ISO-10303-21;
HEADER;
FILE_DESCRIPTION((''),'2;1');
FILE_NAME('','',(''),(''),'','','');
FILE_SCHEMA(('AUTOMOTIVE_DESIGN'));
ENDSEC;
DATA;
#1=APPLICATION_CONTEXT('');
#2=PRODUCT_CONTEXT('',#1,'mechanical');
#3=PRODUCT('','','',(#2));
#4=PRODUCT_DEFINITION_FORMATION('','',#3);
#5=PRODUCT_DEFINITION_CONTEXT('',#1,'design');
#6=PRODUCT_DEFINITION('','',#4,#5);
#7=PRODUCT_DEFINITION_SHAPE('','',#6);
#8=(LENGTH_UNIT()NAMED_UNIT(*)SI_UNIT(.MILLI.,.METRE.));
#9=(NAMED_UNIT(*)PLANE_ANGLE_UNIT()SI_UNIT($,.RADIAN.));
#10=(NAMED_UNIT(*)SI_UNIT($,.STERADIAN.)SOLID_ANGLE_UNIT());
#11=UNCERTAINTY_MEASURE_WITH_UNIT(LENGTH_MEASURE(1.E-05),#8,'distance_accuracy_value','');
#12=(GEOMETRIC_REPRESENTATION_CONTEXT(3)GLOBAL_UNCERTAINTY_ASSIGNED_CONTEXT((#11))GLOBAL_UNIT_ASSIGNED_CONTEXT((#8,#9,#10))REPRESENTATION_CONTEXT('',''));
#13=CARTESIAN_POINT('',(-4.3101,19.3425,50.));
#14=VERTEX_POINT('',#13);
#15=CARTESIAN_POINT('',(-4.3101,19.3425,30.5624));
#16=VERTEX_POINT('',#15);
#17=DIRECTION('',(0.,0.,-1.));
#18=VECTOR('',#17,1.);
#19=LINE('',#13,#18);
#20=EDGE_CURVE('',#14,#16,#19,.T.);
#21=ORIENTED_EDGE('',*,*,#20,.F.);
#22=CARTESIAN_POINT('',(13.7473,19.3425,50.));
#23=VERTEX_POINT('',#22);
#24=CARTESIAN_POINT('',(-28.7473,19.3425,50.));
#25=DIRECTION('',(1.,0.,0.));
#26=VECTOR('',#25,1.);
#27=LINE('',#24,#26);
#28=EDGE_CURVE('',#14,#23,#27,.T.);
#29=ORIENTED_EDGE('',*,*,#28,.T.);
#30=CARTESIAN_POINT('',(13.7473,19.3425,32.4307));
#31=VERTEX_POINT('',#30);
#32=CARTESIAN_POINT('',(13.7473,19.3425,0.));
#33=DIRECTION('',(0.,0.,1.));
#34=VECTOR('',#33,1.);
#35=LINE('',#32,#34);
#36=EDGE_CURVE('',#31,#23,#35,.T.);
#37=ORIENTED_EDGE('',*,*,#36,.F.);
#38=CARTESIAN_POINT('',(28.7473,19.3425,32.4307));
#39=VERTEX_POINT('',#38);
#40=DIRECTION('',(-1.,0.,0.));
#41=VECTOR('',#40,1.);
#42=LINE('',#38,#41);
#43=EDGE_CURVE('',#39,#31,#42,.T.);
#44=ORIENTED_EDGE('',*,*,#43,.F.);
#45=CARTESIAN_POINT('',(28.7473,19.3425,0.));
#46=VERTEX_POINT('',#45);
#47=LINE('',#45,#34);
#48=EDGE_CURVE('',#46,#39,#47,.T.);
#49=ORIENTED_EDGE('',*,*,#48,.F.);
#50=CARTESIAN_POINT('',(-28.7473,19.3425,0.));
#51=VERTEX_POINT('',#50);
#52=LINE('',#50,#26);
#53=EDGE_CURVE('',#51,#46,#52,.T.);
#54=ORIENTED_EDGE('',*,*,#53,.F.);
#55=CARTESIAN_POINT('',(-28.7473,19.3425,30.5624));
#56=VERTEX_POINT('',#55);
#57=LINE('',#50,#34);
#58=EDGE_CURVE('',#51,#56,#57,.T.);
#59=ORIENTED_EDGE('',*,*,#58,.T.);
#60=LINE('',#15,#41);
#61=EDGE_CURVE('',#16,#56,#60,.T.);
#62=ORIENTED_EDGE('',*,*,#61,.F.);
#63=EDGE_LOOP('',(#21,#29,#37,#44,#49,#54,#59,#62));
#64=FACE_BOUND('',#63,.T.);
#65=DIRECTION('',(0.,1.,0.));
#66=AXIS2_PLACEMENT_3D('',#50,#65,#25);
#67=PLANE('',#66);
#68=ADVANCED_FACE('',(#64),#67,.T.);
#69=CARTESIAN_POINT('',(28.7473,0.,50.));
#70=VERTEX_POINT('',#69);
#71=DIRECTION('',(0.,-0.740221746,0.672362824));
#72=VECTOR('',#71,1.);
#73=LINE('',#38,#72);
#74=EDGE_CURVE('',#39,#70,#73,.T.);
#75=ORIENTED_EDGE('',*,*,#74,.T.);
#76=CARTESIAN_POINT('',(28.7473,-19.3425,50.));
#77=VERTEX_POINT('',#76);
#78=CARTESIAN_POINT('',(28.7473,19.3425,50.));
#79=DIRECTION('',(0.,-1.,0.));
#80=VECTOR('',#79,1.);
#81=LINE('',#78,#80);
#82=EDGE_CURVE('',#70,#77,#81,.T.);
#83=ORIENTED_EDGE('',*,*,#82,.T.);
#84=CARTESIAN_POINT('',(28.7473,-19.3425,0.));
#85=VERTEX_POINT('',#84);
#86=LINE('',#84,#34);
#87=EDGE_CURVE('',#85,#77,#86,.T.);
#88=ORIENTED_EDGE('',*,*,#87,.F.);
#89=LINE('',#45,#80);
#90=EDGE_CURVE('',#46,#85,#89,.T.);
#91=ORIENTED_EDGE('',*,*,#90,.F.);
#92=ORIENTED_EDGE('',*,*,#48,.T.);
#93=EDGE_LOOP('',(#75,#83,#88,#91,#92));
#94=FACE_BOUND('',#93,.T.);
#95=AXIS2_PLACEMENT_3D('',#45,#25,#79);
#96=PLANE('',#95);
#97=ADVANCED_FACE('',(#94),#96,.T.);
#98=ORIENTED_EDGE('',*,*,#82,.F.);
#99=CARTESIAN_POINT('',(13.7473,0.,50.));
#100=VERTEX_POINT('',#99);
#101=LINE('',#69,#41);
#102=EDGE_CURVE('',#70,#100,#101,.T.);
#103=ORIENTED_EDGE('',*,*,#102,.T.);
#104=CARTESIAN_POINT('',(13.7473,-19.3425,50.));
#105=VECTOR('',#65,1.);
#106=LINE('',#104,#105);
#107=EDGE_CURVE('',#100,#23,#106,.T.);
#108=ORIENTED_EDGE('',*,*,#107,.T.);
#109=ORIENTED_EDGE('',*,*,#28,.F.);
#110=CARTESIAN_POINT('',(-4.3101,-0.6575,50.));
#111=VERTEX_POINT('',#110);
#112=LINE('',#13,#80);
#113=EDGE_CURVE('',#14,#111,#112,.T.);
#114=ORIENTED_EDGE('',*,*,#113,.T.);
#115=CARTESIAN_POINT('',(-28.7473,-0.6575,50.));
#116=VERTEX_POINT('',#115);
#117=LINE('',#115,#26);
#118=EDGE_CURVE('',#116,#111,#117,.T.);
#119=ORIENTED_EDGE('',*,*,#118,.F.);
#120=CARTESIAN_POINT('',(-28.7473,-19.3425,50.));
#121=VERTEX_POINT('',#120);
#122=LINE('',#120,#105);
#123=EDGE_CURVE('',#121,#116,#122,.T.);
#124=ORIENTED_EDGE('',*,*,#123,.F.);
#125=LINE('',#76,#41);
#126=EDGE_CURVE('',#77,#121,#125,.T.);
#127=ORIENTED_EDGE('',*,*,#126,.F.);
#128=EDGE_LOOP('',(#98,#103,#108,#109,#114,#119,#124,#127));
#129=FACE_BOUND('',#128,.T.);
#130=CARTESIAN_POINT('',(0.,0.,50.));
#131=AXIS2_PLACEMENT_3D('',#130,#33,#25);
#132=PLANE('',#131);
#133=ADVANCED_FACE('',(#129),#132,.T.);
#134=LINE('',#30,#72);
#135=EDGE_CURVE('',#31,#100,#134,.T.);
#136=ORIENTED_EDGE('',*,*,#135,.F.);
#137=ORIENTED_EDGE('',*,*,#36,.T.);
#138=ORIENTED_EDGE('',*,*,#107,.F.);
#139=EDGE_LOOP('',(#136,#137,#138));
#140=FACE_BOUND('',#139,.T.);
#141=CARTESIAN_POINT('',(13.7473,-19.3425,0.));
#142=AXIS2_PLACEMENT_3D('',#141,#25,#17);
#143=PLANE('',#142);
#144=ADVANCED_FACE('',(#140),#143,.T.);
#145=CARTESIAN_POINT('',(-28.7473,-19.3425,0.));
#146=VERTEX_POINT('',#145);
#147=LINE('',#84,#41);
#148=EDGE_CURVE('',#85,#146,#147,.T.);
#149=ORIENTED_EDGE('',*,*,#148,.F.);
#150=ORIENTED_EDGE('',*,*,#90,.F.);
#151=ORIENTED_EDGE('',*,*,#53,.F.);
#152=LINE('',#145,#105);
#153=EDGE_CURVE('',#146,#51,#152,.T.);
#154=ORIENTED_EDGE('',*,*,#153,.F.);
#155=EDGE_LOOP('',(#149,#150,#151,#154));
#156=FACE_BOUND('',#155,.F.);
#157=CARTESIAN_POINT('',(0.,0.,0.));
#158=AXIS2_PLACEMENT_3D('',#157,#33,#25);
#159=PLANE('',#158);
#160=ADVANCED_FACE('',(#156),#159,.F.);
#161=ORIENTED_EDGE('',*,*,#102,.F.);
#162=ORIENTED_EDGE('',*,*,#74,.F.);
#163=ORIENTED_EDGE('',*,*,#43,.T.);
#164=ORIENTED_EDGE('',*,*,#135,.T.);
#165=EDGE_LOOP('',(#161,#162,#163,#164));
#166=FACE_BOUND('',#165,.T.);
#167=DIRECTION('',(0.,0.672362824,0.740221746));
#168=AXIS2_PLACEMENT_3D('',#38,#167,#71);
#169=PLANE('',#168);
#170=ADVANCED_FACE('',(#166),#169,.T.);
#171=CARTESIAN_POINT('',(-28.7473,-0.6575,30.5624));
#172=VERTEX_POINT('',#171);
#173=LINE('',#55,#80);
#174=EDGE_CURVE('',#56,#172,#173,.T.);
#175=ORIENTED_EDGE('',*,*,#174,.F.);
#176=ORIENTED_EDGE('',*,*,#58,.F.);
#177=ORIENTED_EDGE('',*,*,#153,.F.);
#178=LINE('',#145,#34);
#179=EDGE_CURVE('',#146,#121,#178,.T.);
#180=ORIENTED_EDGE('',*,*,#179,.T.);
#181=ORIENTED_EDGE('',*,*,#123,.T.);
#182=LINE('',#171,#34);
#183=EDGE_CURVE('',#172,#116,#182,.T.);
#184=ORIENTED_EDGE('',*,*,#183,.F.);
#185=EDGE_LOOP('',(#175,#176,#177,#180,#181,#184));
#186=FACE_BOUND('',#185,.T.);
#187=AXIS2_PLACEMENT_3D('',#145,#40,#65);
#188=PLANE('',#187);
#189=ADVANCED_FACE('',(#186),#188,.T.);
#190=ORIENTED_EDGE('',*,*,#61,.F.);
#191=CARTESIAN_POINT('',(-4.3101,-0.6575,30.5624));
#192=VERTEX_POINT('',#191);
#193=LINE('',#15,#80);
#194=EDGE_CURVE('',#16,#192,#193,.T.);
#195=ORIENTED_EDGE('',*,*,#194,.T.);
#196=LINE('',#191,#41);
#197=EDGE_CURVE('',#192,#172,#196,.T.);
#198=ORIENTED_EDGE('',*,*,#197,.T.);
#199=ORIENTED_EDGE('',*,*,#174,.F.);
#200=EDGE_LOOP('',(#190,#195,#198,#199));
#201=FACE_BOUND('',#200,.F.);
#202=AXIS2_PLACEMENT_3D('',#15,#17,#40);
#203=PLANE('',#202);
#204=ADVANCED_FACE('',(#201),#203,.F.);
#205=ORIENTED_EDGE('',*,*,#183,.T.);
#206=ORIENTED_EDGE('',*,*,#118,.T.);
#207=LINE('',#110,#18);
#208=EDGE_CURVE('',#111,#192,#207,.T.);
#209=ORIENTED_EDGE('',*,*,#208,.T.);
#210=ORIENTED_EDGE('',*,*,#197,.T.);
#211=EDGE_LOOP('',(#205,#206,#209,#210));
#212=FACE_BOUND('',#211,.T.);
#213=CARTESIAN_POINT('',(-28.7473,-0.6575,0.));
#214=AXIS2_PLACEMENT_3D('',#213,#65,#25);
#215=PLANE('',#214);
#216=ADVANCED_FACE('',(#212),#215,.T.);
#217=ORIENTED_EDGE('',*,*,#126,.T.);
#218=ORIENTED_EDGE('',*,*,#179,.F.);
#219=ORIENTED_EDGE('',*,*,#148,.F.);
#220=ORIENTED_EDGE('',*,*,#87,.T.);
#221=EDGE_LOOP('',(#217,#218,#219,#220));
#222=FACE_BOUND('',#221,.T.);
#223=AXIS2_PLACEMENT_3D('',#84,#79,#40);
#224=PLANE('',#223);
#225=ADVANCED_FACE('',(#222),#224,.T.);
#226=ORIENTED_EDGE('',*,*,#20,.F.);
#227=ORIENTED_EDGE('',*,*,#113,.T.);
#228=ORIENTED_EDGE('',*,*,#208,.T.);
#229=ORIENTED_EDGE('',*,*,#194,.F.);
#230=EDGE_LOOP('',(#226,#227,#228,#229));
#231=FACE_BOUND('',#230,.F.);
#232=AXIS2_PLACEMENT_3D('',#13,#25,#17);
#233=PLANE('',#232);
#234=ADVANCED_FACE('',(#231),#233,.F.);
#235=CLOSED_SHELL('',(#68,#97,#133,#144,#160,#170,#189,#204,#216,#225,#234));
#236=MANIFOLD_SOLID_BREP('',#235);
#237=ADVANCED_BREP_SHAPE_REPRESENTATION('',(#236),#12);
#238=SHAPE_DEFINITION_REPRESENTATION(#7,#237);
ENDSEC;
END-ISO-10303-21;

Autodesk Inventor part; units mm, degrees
ref_plane "YZ Plane" through (0, 0, 0) normal (1, 0, 0) x (0, 1, 0)
ref_plane "XZ Plane" through (0, 0, 0) normal (0, 1, 0) x (-1, 0, 0)
ref_plane "XY Plane" through (0, 0, 0) normal (0, 0, 1) x (1, 0, 0)
sketch "스케치1" plane through (0, 0, 0) normal (0, 0, 1) x (1, 0, 0)
  line L0 (28.7473, -19.3425) -> (-28.7473, -19.3425)
  line L1 (-28.7473, -19.3425) -> (-28.7473, 19.3425)
  line L2 (-28.7473, 19.3425) -> (28.7473, 19.3425)
  line L3 (28.7473, 19.3425) -> (28.7473, -19.3425)
  line L4 (28.7473, -19.3425) -> (-28.7473, 19.3425) construction
  line L5 (-28.7473, -19.3425) -> (28.7473, 19.3425) construction
  point P0 (0, 0)
extrude "돌출1" add sketch "스케치1" along normal blind 50
sketch "스케치2" plane through (-28.7473, 19.3425, 0) normal (0, 1, 0) x (1, 0, 0)
  line L0 (0, -50) -> (57.4945, -50) projected
  line L1 (0, -50) -> (24.4372, -50)
  line L2 (24.4372, -50) -> (24.4372, -30.5624)
  line L3 (24.4372, -30.5624) -> (0, -30.5624)
  line L4 (0, -30.5624) -> (0, -50)
  point P0 (28.7473, 0)
extrude "돌출2" cut sketch "스케치2" against normal blind 20
sketch "스케치3" plane through (28.7473, -19.3425, 0) normal (1, 0, 0) x (0, 0, -1)
  point P0 (0, 19.3425)
sketch "스케치4" plane through (28.7473, -19.3425, 0) normal (1, 0, 0) x (0, 0, -1)
  line L0 (0, 38.685) -> (-50, 38.685) projected
  line L1 (-32.4307, 38.685) -> (-50, 19.3425)
  line L2 (-50, 0) -> (-50, 38.685) projected
  point P0 (0, 19.3425)
extrude "돌출3" cut sketch "스케치4" against normal blind 15
properties part number "240503_3Dsketch05"
